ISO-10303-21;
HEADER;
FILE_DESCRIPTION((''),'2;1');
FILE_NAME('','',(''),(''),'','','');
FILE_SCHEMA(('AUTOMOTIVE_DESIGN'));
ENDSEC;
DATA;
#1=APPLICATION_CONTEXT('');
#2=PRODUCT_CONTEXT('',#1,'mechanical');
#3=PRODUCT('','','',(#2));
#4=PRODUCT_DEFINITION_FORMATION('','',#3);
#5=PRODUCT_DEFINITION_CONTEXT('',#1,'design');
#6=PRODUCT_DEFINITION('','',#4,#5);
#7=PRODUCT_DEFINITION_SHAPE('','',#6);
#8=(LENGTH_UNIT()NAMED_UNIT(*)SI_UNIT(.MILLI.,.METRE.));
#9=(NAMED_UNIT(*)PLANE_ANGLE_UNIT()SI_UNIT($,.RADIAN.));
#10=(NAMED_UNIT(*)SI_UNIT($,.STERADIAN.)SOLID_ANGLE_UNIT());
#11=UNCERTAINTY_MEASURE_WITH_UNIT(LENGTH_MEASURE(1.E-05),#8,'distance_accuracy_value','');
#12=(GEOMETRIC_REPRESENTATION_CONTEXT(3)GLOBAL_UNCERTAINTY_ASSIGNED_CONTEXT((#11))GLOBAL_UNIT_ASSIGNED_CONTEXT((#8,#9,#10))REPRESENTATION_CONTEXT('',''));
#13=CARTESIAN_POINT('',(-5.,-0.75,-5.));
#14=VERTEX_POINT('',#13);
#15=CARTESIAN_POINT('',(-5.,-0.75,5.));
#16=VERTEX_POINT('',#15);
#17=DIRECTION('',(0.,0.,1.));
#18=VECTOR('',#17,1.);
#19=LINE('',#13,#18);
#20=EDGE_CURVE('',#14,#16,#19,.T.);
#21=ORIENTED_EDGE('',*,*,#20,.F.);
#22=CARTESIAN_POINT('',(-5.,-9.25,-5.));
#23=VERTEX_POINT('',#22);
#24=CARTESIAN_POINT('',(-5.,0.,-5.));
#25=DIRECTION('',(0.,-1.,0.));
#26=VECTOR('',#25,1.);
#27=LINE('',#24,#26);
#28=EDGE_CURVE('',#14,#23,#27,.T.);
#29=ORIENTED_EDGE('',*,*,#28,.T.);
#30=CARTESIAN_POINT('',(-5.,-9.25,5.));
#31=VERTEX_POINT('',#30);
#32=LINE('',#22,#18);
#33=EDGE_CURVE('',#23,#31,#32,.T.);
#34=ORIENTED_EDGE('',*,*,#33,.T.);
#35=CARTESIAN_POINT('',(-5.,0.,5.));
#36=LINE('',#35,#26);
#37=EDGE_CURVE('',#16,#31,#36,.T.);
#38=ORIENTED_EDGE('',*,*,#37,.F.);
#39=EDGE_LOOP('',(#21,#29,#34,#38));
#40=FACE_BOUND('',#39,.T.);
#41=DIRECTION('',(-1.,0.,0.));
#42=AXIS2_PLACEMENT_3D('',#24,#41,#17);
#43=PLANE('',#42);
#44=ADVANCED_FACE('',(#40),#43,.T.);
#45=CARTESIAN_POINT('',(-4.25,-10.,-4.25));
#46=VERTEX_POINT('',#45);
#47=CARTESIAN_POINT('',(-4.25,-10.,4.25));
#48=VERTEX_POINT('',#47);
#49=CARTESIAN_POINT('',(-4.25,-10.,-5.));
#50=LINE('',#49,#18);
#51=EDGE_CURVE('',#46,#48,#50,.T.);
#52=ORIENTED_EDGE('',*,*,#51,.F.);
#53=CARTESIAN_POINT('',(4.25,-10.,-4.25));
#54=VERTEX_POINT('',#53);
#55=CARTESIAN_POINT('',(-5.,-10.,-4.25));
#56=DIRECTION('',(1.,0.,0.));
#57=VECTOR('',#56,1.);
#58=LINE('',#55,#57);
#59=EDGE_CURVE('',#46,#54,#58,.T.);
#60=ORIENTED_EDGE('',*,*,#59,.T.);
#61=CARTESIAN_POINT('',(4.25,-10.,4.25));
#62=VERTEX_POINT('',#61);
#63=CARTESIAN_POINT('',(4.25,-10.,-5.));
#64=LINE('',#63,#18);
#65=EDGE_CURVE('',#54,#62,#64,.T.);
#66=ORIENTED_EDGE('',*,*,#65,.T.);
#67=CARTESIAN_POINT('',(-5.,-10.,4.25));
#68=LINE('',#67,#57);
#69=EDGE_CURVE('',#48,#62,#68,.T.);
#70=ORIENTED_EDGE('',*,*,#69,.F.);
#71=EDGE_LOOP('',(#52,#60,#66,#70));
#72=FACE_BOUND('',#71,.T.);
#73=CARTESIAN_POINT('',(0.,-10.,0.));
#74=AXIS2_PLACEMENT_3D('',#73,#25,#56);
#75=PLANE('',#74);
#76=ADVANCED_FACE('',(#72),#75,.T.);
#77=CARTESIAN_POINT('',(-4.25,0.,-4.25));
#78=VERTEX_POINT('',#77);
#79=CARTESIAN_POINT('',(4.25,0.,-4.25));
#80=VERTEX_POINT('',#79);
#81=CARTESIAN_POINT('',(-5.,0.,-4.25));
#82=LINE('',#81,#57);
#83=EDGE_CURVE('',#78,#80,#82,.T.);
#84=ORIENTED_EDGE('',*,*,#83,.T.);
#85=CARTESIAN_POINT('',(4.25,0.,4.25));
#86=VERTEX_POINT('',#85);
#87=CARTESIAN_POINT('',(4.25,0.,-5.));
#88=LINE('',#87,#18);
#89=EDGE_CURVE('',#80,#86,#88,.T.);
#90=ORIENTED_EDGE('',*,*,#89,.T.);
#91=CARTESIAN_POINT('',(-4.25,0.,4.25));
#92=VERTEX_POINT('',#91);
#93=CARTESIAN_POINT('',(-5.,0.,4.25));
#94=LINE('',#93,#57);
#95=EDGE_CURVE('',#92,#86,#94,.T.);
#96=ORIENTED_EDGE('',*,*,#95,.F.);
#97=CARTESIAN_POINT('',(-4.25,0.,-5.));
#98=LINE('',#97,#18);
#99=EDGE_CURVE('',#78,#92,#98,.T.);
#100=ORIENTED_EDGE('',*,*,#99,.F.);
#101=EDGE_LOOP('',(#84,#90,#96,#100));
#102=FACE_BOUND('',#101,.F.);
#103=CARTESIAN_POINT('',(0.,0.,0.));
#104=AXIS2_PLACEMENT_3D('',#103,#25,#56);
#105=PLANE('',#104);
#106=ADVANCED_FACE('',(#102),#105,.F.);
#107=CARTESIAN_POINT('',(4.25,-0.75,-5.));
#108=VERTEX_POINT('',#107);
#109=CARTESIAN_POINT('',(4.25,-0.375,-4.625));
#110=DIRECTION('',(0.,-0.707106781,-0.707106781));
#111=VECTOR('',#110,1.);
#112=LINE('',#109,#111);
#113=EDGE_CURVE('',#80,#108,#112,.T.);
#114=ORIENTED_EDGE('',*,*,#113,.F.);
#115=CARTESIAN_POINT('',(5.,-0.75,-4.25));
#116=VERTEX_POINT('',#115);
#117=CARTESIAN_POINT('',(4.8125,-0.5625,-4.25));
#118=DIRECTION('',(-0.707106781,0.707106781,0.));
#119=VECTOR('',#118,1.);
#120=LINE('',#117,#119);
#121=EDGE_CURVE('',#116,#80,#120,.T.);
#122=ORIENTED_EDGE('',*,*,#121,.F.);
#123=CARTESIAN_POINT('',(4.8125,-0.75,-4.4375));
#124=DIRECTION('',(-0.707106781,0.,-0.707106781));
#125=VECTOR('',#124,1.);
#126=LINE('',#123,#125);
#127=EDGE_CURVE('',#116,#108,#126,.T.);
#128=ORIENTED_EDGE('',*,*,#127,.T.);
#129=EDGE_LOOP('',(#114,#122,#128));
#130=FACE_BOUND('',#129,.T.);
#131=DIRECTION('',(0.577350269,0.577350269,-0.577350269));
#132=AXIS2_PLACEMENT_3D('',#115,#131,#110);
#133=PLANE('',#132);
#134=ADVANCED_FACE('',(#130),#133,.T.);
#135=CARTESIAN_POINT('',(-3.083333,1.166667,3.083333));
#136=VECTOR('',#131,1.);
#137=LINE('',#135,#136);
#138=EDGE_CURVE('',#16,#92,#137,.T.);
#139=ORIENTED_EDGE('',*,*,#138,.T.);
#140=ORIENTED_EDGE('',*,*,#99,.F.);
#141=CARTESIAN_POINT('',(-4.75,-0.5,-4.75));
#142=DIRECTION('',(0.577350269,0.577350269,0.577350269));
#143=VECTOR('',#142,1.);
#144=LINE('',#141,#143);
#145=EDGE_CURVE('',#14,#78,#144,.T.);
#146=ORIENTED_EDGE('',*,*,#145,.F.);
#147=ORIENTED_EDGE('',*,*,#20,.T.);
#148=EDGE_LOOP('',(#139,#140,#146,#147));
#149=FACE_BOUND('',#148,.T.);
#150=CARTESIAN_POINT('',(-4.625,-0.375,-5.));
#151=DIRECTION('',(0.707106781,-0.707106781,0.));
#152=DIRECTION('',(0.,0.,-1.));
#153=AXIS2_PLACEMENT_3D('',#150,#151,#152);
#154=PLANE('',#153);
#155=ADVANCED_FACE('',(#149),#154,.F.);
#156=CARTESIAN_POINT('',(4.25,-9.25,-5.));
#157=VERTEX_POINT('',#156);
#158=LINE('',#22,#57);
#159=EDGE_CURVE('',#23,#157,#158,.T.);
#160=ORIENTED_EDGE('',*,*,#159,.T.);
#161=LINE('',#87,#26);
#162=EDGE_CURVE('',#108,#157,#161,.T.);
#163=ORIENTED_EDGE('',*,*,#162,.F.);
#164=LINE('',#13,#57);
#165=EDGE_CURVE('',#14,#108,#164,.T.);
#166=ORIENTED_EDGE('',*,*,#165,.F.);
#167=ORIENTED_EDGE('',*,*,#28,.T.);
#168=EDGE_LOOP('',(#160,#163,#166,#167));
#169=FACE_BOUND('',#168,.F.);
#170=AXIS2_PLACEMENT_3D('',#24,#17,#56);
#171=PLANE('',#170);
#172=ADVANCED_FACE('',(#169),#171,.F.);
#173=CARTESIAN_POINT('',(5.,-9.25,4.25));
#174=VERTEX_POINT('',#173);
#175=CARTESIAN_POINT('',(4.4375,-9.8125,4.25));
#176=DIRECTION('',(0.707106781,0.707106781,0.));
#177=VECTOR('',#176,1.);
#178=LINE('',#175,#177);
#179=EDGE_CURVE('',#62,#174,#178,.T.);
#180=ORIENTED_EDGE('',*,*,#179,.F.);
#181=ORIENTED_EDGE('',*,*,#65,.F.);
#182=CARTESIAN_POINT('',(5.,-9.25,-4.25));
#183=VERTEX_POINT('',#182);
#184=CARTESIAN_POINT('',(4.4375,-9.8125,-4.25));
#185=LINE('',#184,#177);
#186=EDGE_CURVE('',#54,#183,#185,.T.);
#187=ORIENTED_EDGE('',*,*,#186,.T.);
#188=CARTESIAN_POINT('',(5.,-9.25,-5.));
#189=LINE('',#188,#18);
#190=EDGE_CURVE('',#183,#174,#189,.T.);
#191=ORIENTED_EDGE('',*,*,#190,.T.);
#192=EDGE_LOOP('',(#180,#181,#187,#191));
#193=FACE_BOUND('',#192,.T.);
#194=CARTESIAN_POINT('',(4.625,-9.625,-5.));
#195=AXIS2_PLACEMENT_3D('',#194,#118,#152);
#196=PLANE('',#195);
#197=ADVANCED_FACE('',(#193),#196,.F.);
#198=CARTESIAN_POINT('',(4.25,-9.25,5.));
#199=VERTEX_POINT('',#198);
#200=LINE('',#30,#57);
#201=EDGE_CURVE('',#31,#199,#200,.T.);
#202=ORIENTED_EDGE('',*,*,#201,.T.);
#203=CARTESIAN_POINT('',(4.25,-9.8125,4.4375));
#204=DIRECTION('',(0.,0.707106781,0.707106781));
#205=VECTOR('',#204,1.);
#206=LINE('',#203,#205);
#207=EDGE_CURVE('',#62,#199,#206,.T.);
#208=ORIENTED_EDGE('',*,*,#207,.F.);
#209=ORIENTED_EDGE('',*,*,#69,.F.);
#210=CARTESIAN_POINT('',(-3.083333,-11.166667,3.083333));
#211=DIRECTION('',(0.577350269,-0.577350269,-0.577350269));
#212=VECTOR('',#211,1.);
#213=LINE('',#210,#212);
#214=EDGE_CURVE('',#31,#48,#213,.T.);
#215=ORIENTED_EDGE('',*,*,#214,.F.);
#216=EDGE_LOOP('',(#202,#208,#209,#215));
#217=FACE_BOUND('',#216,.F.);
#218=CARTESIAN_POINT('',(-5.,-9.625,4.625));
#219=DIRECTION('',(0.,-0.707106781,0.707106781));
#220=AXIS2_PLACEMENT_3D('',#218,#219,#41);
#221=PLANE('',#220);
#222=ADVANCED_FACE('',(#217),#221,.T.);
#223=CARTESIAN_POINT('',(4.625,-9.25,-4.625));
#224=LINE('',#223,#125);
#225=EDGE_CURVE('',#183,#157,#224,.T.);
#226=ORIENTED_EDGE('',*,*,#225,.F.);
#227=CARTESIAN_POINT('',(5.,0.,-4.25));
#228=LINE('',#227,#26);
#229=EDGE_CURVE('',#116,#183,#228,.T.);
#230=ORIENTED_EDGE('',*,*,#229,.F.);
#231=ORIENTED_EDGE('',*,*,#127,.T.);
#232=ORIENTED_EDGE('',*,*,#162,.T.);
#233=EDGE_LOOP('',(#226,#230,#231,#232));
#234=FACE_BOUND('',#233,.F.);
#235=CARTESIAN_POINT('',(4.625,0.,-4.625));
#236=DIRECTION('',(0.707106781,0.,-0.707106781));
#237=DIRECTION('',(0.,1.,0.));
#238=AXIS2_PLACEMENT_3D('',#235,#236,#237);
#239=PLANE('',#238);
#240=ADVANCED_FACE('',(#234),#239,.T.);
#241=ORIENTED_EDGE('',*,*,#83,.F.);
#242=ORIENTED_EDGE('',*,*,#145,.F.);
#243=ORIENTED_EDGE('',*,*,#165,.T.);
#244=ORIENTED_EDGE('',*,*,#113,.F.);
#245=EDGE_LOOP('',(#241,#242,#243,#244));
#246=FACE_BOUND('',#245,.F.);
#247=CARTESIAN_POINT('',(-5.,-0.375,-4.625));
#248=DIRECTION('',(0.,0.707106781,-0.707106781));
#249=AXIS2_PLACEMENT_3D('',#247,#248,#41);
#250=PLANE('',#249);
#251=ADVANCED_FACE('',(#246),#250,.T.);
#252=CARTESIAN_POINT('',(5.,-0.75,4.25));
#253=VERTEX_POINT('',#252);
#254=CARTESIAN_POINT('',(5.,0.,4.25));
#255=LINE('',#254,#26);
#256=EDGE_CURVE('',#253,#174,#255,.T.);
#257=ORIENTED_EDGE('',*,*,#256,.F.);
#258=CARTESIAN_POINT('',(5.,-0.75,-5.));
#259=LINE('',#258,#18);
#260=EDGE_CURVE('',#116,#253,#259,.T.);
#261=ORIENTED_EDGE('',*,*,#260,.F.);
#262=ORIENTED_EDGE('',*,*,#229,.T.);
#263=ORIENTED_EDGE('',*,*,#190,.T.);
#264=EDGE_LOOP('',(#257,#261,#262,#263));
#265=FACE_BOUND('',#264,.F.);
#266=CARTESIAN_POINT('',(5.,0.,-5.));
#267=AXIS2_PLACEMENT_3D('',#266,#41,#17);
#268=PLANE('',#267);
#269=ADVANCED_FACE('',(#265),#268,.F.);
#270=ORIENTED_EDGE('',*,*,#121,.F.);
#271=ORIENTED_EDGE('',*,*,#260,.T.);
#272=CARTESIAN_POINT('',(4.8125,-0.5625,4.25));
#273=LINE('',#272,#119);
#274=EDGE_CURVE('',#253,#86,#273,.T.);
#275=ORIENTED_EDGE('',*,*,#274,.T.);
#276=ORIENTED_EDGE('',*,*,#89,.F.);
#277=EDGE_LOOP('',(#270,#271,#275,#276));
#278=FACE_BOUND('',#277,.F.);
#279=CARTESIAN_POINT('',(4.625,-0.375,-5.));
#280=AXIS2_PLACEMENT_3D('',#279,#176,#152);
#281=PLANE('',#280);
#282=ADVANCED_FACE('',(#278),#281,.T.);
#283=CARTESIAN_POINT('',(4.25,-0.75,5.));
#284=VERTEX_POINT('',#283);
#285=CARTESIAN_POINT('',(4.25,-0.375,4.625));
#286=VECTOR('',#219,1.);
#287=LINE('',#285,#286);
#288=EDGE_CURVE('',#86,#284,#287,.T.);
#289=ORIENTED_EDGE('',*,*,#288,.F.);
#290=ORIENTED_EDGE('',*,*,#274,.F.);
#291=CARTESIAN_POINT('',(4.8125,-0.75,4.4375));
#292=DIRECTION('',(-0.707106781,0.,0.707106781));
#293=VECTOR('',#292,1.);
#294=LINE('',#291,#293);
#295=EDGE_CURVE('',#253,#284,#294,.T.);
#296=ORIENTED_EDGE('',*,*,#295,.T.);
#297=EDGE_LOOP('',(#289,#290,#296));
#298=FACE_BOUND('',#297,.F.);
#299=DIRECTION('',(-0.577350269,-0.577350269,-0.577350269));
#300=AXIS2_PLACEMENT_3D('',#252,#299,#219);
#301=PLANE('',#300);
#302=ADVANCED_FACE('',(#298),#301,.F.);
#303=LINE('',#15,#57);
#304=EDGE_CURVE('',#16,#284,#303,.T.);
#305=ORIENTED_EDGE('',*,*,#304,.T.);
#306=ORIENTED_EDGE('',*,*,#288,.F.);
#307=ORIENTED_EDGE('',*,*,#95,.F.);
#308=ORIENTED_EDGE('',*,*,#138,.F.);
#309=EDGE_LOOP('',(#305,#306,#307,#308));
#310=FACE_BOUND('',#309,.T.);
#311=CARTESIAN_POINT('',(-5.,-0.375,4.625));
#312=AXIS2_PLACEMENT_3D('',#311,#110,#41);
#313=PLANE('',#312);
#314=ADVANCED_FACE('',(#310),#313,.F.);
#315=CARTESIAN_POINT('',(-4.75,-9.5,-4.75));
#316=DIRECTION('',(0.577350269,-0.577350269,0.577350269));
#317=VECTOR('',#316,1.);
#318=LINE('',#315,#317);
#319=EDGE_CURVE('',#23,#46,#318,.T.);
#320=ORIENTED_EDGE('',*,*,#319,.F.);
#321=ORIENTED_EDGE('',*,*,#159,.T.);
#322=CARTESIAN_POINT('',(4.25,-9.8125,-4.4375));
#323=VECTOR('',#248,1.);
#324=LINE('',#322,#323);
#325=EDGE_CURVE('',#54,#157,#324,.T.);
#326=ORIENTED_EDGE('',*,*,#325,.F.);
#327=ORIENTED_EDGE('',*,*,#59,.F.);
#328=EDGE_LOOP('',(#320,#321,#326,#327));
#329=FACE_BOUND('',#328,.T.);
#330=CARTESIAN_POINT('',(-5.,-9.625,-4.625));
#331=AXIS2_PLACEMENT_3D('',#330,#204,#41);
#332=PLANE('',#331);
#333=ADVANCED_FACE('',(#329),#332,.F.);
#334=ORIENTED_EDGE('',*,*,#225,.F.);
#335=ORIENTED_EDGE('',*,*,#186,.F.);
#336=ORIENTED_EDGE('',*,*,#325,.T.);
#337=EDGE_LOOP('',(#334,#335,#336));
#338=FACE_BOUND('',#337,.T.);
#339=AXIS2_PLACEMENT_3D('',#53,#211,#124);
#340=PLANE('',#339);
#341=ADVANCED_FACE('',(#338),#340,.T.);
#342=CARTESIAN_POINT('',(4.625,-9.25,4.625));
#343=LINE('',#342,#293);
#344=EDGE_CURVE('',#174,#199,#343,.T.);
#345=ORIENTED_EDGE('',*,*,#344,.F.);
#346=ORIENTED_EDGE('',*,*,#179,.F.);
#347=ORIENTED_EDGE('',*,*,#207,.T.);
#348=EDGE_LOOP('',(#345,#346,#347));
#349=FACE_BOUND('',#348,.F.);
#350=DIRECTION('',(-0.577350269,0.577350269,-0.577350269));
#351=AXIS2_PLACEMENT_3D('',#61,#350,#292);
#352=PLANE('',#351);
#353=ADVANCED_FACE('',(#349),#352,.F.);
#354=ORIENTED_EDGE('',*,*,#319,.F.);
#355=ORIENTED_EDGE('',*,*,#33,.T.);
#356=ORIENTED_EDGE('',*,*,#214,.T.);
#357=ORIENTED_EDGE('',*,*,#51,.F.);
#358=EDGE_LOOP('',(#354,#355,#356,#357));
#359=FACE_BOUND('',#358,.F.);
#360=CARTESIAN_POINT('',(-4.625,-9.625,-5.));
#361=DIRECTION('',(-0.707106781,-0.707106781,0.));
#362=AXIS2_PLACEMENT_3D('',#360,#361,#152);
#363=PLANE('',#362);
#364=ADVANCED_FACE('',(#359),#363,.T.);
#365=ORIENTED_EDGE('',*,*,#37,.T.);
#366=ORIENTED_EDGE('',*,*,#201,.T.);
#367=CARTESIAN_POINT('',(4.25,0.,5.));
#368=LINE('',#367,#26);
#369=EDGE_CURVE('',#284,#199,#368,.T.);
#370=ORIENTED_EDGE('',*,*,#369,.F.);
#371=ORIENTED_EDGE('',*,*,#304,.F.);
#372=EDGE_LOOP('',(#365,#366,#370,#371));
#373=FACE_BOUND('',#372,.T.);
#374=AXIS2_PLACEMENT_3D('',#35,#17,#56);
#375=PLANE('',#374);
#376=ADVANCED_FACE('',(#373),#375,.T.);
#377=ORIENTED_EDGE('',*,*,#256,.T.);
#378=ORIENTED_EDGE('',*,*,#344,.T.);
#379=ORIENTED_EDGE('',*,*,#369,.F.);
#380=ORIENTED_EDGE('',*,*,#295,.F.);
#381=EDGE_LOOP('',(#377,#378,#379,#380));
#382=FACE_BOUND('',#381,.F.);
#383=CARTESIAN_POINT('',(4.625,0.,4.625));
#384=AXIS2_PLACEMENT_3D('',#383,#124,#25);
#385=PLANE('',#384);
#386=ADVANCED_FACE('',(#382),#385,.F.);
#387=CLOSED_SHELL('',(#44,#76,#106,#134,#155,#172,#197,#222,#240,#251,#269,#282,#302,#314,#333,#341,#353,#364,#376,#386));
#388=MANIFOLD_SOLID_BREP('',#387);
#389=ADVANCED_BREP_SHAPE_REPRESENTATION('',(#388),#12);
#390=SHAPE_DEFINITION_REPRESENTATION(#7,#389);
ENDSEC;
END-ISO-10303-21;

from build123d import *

# Parameters (mm, degrees)
F0_W     = 10
F0_H     = 10
F1_DEPTH = 10
F2_SIZE  = 0.75


with BuildPart() as f1:
    # F0 (on Front) → F1 (new body)
    with BuildSketch(Plane.XZ):
        Rectangle(F0_W, F0_H)
    extrude(amount=F1_DEPTH)

    # F2
    f2_edges = [f1.edges().sort_by_distance(p)[0] for p in [
        (0, 0, 5),
        (-5, 0, 0),
        (0, 0, -5),
        (5, 0, 0),
        (5, -5, -5),
        (5, -5, 5),
        (5, -10, 0),
        (0, -10, -5),
        (0, -10, 5),
        (-5, -10, 0),
    ]]
    chamfer(f2_edges, length=F2_SIZE)


solid = f1.part
